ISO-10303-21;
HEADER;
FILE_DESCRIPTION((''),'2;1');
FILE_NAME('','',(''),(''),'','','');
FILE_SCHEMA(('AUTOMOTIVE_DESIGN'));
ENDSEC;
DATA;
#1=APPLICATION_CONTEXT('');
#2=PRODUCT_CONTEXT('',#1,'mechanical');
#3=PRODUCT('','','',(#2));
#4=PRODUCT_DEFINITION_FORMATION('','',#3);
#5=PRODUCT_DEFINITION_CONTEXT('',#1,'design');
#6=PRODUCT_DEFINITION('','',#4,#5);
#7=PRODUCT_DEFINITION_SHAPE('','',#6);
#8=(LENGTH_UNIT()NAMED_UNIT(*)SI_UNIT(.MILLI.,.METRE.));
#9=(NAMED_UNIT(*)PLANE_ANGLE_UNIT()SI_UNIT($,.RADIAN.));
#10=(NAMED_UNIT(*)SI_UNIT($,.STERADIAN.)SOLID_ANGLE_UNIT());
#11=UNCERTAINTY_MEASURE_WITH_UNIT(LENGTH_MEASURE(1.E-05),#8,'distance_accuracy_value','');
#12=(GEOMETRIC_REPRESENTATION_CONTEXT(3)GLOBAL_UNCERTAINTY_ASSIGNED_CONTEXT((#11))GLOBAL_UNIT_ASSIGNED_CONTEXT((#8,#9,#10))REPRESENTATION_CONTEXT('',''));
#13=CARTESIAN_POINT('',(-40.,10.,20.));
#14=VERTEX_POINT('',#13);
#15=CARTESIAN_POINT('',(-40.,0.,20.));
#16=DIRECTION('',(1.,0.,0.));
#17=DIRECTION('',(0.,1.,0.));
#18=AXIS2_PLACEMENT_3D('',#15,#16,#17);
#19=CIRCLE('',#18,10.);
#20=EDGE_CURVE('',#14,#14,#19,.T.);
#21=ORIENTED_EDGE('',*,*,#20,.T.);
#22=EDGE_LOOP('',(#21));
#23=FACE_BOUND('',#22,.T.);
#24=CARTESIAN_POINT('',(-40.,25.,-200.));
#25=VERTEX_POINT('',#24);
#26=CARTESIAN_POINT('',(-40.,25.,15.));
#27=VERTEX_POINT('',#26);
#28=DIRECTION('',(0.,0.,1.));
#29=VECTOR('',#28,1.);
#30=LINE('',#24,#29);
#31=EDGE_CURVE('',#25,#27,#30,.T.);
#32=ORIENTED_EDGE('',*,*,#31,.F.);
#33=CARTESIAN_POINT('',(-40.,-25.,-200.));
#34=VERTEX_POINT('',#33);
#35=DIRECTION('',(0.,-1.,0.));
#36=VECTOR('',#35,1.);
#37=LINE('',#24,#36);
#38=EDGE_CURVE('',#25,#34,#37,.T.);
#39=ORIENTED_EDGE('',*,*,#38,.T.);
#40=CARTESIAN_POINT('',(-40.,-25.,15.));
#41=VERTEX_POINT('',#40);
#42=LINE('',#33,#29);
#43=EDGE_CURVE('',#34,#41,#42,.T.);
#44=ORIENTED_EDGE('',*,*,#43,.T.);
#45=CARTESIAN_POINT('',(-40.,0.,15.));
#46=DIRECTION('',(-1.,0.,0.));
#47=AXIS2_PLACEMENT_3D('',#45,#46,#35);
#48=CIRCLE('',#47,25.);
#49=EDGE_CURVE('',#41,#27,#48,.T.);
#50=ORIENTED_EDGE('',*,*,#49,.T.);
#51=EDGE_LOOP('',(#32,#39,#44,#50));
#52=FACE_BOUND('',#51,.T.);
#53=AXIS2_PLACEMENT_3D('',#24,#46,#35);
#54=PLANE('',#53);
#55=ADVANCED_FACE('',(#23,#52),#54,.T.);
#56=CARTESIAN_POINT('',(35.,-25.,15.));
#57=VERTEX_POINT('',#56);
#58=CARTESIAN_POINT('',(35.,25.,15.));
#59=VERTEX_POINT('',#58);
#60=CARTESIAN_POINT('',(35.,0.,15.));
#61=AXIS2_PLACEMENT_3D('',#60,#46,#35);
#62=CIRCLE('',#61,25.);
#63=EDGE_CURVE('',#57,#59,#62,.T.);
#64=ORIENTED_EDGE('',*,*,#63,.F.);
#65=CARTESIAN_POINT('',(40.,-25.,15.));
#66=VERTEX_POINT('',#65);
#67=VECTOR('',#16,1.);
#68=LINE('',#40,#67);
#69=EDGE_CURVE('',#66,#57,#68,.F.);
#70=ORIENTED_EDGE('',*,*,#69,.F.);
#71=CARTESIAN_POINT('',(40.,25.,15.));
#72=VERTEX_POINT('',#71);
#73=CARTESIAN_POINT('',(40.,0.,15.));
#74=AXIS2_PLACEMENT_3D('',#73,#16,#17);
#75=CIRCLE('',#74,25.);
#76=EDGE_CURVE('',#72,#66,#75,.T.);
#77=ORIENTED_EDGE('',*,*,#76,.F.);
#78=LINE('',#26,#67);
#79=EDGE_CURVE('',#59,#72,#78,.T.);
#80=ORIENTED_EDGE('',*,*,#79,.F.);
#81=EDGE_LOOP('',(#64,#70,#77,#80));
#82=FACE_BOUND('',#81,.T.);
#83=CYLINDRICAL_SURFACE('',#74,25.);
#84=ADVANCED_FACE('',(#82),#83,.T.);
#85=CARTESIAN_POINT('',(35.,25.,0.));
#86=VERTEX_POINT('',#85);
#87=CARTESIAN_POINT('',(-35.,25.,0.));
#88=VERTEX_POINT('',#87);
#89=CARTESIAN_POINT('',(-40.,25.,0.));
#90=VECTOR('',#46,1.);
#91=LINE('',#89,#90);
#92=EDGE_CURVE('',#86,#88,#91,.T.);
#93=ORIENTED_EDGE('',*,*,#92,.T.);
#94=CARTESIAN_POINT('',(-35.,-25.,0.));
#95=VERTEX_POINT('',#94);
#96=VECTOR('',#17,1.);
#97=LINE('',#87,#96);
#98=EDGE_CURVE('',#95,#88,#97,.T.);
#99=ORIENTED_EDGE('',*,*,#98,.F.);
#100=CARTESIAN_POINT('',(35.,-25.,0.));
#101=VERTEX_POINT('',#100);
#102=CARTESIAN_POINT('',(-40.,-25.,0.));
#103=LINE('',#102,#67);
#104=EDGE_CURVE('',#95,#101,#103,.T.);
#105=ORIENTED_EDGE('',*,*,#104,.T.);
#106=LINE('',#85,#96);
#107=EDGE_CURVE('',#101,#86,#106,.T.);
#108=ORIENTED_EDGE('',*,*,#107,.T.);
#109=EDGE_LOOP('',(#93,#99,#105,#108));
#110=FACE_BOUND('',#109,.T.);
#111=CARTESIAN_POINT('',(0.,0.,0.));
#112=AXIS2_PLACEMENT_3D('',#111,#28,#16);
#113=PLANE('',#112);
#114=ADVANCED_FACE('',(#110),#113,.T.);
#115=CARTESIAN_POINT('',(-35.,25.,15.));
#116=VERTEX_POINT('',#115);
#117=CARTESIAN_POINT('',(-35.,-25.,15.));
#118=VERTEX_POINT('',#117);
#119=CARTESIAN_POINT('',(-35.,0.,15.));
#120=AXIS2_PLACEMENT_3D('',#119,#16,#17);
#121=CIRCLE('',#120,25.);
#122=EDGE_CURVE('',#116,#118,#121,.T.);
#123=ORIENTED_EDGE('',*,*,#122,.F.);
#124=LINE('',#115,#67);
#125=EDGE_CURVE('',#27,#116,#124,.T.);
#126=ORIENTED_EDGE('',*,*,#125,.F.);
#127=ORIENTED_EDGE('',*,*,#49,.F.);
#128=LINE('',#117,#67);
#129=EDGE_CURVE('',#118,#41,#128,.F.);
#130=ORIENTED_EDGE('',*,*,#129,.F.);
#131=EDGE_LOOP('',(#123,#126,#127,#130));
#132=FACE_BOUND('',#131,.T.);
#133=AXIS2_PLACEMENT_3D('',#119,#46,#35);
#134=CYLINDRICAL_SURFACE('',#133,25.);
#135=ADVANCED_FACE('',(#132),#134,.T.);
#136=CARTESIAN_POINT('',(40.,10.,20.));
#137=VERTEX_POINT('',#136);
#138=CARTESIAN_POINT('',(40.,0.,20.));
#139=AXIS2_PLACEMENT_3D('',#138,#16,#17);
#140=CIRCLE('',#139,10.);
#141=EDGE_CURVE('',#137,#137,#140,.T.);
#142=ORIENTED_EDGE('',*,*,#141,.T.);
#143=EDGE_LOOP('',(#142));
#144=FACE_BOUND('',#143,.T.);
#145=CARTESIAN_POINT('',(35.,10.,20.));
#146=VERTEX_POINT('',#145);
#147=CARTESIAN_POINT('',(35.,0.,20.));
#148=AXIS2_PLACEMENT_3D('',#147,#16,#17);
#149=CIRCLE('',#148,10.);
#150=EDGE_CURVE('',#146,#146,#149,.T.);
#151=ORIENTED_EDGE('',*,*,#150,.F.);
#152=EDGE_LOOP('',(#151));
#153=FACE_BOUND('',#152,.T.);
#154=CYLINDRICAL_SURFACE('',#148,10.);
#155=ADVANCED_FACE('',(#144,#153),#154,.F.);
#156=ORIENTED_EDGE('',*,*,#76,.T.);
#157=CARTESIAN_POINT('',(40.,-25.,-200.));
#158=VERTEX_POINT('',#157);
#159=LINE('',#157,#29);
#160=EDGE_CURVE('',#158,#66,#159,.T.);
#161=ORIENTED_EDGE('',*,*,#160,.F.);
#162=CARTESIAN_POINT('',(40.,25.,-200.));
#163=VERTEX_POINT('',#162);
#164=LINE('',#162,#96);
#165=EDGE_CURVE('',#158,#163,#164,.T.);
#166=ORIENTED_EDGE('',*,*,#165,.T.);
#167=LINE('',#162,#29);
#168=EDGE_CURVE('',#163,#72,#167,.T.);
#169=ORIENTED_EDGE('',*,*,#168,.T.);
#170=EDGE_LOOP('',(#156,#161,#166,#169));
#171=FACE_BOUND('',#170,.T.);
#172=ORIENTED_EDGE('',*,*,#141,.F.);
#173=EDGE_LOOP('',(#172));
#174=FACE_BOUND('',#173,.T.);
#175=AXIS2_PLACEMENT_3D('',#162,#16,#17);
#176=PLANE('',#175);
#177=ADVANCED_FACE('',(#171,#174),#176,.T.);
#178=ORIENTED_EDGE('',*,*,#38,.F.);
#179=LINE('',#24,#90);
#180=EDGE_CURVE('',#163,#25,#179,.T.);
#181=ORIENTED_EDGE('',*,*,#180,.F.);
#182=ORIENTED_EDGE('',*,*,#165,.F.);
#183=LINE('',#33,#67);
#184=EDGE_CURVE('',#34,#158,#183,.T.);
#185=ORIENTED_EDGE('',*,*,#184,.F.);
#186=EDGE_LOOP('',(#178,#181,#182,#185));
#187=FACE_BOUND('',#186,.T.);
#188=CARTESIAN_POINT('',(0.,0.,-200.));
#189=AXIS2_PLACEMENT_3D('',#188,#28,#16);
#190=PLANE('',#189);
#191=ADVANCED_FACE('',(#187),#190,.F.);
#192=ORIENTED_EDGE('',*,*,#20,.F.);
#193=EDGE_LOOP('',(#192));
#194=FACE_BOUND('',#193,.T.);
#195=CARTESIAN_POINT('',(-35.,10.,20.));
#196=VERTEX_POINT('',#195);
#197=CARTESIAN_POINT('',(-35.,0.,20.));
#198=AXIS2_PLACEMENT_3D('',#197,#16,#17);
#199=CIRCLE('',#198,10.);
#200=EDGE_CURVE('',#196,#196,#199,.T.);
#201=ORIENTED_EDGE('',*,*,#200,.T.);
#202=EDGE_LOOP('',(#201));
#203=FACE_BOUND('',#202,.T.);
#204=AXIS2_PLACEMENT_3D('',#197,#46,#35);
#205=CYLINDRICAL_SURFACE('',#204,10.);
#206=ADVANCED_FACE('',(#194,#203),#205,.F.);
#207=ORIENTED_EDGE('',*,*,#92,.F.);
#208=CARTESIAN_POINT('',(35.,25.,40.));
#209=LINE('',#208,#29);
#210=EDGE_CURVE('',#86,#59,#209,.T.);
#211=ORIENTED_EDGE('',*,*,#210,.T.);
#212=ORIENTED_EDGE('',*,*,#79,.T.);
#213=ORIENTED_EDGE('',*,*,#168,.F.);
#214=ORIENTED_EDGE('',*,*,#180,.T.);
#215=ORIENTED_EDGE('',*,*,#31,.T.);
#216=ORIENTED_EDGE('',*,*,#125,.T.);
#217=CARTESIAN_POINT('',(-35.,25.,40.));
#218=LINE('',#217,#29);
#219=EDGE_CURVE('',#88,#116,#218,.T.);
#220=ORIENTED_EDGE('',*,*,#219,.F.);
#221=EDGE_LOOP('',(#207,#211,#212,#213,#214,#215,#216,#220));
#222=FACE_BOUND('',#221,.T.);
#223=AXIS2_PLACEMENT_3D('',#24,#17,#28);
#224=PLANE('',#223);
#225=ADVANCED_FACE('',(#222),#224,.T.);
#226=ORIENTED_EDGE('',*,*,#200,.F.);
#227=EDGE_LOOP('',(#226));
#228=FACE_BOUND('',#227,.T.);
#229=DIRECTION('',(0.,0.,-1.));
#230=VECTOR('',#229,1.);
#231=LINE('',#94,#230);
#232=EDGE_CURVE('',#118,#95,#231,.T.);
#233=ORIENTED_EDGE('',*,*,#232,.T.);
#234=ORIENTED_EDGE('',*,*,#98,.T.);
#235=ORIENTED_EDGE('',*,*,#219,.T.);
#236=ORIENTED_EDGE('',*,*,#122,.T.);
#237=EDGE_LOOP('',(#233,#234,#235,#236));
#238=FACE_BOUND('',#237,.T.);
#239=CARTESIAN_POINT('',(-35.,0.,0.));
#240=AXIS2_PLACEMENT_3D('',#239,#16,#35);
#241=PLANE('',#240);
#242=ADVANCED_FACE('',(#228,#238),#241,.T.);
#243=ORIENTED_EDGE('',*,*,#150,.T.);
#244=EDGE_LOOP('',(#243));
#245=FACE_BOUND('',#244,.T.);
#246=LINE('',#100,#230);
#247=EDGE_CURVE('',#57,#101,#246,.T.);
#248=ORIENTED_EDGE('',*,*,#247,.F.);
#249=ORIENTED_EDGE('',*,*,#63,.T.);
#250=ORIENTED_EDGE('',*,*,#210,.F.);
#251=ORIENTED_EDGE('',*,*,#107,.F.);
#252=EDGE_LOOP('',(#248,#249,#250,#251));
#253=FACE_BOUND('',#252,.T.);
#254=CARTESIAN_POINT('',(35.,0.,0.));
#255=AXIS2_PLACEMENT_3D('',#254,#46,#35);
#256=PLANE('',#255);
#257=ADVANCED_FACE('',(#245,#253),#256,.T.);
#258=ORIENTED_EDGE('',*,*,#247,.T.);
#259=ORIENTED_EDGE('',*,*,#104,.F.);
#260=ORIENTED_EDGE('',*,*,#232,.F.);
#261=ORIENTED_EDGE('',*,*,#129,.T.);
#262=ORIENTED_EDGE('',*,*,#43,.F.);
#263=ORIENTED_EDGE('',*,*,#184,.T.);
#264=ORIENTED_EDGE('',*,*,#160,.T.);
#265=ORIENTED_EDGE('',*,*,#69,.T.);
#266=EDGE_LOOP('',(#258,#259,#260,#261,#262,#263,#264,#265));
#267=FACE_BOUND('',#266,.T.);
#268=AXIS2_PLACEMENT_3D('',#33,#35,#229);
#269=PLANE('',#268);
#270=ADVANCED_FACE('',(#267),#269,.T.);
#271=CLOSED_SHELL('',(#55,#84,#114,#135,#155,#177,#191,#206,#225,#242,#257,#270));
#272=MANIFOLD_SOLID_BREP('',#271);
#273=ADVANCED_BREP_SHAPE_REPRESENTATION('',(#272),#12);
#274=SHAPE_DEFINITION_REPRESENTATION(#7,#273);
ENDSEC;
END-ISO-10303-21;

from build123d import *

# Parameters (mm, degrees)
SKETCH1_W                   = 80
SKETCH1_H                   = 50
BOSS_EXTRUDE1_DEPTH         = 200
SKETCH4_W                   = 40
SKETCH4_H                   = 50
SKETCH4_R                   = 10
BOSS_EXTRUDE3_DEPTH         = 5
FILLET1_RADIUS              = 25
FILLET1_LENGTH              = 5
FILLET1_OF_MIRROR1_2_RADIUS = 25
FILLET1_OF_MIRROR1_2_LENGTH = 5


with BuildPart() as part:
    # Sketch1 → Boss-Extrude1 (new body)
    with BuildSketch(Plane.XY):
        Rectangle(SKETCH1_W, SKETCH1_H)
    extrude(amount=-BOSS_EXTRUDE1_DEPTH)

    # Sketch4 → Boss-Extrude3 (add)
    with BuildSketch(Plane(origin=(40, 0, 0), x_dir=(0, 0, -1), z_dir=(1, 0, 0))):
        with Locations((-20, 0)):
            Rectangle(SKETCH4_W, SKETCH4_H)
        with Locations(Location((-20, 0, 0), (0, 0, 90))):
            Circle(SKETCH4_R, mode=Mode.SUBTRACT)
    boss_extrude3 = extrude(amount=-BOSS_EXTRUDE3_DEPTH)

    # Fillet1: full round fillet: the end face becomes a half cylinder, R = half its width
    fillet1_face = Plane((37.5, 0, 40), x_dir=(-1, 0, 0), z_dir=(0, 0, 1))  # on the end face: x along it, z out of the body
    fillet1_slab = fillet1_face.offset(-FILLET1_RADIUS / 2) * Box(FILLET1_LENGTH, 2 * FILLET1_RADIUS, FILLET1_RADIUS, mode=Mode.PRIVATE)  # the body's end, R deep
    fillet1_round = Plane((37.5, 0, 15), x_dir=(0, 0, 1), z_dir=(-1, 0, 0)) * Cylinder(FILLET1_RADIUS, FILLET1_LENGTH, mode=Mode.PRIVATE)  # its axis R under the face
    add(fillet1_slab - fillet1_round, mode=Mode.SUBTRACT)

    # Mirror1: Boss-Extrude3 across plane
    add(boss_extrude3.mirror(Plane(origin=(0, 0, 0), x_dir=(0, 0, 1), z_dir=(1, 0, 0))))

    # Fillet1 of Mirror1 2: full round fillet: the end face becomes a half cylinder, R = half its width
    fillet1_of_mirror1_2_face = Plane((-37.5, 0, 40), x_dir=(1, 0, 0), z_dir=(0, 0, 1))  # on the end face: x along it, z out of the body
    fillet1_of_mirror1_2_slab = fillet1_of_mirror1_2_face.offset(-FILLET1_OF_MIRROR1_2_RADIUS / 2) * Box(FILLET1_OF_MIRROR1_2_LENGTH, 2 * FILLET1_OF_MIRROR1_2_RADIUS, FILLET1_OF_MIRROR1_2_RADIUS, mode=Mode.PRIVATE)  # the body's end, R deep
    fillet1_of_mirror1_2_round = Plane((-37.5, 0, 15), x_dir=(0, 0, 1), z_dir=(1, 0, 0)) * Cylinder(FILLET1_OF_MIRROR1_2_RADIUS, FILLET1_OF_MIRROR1_2_LENGTH, mode=Mode.PRIVATE)  # its axis R under the face
    add(fillet1_of_mirror1_2_slab - fillet1_of_mirror1_2_round, mode=Mode.SUBTRACT)


solid = part.part
